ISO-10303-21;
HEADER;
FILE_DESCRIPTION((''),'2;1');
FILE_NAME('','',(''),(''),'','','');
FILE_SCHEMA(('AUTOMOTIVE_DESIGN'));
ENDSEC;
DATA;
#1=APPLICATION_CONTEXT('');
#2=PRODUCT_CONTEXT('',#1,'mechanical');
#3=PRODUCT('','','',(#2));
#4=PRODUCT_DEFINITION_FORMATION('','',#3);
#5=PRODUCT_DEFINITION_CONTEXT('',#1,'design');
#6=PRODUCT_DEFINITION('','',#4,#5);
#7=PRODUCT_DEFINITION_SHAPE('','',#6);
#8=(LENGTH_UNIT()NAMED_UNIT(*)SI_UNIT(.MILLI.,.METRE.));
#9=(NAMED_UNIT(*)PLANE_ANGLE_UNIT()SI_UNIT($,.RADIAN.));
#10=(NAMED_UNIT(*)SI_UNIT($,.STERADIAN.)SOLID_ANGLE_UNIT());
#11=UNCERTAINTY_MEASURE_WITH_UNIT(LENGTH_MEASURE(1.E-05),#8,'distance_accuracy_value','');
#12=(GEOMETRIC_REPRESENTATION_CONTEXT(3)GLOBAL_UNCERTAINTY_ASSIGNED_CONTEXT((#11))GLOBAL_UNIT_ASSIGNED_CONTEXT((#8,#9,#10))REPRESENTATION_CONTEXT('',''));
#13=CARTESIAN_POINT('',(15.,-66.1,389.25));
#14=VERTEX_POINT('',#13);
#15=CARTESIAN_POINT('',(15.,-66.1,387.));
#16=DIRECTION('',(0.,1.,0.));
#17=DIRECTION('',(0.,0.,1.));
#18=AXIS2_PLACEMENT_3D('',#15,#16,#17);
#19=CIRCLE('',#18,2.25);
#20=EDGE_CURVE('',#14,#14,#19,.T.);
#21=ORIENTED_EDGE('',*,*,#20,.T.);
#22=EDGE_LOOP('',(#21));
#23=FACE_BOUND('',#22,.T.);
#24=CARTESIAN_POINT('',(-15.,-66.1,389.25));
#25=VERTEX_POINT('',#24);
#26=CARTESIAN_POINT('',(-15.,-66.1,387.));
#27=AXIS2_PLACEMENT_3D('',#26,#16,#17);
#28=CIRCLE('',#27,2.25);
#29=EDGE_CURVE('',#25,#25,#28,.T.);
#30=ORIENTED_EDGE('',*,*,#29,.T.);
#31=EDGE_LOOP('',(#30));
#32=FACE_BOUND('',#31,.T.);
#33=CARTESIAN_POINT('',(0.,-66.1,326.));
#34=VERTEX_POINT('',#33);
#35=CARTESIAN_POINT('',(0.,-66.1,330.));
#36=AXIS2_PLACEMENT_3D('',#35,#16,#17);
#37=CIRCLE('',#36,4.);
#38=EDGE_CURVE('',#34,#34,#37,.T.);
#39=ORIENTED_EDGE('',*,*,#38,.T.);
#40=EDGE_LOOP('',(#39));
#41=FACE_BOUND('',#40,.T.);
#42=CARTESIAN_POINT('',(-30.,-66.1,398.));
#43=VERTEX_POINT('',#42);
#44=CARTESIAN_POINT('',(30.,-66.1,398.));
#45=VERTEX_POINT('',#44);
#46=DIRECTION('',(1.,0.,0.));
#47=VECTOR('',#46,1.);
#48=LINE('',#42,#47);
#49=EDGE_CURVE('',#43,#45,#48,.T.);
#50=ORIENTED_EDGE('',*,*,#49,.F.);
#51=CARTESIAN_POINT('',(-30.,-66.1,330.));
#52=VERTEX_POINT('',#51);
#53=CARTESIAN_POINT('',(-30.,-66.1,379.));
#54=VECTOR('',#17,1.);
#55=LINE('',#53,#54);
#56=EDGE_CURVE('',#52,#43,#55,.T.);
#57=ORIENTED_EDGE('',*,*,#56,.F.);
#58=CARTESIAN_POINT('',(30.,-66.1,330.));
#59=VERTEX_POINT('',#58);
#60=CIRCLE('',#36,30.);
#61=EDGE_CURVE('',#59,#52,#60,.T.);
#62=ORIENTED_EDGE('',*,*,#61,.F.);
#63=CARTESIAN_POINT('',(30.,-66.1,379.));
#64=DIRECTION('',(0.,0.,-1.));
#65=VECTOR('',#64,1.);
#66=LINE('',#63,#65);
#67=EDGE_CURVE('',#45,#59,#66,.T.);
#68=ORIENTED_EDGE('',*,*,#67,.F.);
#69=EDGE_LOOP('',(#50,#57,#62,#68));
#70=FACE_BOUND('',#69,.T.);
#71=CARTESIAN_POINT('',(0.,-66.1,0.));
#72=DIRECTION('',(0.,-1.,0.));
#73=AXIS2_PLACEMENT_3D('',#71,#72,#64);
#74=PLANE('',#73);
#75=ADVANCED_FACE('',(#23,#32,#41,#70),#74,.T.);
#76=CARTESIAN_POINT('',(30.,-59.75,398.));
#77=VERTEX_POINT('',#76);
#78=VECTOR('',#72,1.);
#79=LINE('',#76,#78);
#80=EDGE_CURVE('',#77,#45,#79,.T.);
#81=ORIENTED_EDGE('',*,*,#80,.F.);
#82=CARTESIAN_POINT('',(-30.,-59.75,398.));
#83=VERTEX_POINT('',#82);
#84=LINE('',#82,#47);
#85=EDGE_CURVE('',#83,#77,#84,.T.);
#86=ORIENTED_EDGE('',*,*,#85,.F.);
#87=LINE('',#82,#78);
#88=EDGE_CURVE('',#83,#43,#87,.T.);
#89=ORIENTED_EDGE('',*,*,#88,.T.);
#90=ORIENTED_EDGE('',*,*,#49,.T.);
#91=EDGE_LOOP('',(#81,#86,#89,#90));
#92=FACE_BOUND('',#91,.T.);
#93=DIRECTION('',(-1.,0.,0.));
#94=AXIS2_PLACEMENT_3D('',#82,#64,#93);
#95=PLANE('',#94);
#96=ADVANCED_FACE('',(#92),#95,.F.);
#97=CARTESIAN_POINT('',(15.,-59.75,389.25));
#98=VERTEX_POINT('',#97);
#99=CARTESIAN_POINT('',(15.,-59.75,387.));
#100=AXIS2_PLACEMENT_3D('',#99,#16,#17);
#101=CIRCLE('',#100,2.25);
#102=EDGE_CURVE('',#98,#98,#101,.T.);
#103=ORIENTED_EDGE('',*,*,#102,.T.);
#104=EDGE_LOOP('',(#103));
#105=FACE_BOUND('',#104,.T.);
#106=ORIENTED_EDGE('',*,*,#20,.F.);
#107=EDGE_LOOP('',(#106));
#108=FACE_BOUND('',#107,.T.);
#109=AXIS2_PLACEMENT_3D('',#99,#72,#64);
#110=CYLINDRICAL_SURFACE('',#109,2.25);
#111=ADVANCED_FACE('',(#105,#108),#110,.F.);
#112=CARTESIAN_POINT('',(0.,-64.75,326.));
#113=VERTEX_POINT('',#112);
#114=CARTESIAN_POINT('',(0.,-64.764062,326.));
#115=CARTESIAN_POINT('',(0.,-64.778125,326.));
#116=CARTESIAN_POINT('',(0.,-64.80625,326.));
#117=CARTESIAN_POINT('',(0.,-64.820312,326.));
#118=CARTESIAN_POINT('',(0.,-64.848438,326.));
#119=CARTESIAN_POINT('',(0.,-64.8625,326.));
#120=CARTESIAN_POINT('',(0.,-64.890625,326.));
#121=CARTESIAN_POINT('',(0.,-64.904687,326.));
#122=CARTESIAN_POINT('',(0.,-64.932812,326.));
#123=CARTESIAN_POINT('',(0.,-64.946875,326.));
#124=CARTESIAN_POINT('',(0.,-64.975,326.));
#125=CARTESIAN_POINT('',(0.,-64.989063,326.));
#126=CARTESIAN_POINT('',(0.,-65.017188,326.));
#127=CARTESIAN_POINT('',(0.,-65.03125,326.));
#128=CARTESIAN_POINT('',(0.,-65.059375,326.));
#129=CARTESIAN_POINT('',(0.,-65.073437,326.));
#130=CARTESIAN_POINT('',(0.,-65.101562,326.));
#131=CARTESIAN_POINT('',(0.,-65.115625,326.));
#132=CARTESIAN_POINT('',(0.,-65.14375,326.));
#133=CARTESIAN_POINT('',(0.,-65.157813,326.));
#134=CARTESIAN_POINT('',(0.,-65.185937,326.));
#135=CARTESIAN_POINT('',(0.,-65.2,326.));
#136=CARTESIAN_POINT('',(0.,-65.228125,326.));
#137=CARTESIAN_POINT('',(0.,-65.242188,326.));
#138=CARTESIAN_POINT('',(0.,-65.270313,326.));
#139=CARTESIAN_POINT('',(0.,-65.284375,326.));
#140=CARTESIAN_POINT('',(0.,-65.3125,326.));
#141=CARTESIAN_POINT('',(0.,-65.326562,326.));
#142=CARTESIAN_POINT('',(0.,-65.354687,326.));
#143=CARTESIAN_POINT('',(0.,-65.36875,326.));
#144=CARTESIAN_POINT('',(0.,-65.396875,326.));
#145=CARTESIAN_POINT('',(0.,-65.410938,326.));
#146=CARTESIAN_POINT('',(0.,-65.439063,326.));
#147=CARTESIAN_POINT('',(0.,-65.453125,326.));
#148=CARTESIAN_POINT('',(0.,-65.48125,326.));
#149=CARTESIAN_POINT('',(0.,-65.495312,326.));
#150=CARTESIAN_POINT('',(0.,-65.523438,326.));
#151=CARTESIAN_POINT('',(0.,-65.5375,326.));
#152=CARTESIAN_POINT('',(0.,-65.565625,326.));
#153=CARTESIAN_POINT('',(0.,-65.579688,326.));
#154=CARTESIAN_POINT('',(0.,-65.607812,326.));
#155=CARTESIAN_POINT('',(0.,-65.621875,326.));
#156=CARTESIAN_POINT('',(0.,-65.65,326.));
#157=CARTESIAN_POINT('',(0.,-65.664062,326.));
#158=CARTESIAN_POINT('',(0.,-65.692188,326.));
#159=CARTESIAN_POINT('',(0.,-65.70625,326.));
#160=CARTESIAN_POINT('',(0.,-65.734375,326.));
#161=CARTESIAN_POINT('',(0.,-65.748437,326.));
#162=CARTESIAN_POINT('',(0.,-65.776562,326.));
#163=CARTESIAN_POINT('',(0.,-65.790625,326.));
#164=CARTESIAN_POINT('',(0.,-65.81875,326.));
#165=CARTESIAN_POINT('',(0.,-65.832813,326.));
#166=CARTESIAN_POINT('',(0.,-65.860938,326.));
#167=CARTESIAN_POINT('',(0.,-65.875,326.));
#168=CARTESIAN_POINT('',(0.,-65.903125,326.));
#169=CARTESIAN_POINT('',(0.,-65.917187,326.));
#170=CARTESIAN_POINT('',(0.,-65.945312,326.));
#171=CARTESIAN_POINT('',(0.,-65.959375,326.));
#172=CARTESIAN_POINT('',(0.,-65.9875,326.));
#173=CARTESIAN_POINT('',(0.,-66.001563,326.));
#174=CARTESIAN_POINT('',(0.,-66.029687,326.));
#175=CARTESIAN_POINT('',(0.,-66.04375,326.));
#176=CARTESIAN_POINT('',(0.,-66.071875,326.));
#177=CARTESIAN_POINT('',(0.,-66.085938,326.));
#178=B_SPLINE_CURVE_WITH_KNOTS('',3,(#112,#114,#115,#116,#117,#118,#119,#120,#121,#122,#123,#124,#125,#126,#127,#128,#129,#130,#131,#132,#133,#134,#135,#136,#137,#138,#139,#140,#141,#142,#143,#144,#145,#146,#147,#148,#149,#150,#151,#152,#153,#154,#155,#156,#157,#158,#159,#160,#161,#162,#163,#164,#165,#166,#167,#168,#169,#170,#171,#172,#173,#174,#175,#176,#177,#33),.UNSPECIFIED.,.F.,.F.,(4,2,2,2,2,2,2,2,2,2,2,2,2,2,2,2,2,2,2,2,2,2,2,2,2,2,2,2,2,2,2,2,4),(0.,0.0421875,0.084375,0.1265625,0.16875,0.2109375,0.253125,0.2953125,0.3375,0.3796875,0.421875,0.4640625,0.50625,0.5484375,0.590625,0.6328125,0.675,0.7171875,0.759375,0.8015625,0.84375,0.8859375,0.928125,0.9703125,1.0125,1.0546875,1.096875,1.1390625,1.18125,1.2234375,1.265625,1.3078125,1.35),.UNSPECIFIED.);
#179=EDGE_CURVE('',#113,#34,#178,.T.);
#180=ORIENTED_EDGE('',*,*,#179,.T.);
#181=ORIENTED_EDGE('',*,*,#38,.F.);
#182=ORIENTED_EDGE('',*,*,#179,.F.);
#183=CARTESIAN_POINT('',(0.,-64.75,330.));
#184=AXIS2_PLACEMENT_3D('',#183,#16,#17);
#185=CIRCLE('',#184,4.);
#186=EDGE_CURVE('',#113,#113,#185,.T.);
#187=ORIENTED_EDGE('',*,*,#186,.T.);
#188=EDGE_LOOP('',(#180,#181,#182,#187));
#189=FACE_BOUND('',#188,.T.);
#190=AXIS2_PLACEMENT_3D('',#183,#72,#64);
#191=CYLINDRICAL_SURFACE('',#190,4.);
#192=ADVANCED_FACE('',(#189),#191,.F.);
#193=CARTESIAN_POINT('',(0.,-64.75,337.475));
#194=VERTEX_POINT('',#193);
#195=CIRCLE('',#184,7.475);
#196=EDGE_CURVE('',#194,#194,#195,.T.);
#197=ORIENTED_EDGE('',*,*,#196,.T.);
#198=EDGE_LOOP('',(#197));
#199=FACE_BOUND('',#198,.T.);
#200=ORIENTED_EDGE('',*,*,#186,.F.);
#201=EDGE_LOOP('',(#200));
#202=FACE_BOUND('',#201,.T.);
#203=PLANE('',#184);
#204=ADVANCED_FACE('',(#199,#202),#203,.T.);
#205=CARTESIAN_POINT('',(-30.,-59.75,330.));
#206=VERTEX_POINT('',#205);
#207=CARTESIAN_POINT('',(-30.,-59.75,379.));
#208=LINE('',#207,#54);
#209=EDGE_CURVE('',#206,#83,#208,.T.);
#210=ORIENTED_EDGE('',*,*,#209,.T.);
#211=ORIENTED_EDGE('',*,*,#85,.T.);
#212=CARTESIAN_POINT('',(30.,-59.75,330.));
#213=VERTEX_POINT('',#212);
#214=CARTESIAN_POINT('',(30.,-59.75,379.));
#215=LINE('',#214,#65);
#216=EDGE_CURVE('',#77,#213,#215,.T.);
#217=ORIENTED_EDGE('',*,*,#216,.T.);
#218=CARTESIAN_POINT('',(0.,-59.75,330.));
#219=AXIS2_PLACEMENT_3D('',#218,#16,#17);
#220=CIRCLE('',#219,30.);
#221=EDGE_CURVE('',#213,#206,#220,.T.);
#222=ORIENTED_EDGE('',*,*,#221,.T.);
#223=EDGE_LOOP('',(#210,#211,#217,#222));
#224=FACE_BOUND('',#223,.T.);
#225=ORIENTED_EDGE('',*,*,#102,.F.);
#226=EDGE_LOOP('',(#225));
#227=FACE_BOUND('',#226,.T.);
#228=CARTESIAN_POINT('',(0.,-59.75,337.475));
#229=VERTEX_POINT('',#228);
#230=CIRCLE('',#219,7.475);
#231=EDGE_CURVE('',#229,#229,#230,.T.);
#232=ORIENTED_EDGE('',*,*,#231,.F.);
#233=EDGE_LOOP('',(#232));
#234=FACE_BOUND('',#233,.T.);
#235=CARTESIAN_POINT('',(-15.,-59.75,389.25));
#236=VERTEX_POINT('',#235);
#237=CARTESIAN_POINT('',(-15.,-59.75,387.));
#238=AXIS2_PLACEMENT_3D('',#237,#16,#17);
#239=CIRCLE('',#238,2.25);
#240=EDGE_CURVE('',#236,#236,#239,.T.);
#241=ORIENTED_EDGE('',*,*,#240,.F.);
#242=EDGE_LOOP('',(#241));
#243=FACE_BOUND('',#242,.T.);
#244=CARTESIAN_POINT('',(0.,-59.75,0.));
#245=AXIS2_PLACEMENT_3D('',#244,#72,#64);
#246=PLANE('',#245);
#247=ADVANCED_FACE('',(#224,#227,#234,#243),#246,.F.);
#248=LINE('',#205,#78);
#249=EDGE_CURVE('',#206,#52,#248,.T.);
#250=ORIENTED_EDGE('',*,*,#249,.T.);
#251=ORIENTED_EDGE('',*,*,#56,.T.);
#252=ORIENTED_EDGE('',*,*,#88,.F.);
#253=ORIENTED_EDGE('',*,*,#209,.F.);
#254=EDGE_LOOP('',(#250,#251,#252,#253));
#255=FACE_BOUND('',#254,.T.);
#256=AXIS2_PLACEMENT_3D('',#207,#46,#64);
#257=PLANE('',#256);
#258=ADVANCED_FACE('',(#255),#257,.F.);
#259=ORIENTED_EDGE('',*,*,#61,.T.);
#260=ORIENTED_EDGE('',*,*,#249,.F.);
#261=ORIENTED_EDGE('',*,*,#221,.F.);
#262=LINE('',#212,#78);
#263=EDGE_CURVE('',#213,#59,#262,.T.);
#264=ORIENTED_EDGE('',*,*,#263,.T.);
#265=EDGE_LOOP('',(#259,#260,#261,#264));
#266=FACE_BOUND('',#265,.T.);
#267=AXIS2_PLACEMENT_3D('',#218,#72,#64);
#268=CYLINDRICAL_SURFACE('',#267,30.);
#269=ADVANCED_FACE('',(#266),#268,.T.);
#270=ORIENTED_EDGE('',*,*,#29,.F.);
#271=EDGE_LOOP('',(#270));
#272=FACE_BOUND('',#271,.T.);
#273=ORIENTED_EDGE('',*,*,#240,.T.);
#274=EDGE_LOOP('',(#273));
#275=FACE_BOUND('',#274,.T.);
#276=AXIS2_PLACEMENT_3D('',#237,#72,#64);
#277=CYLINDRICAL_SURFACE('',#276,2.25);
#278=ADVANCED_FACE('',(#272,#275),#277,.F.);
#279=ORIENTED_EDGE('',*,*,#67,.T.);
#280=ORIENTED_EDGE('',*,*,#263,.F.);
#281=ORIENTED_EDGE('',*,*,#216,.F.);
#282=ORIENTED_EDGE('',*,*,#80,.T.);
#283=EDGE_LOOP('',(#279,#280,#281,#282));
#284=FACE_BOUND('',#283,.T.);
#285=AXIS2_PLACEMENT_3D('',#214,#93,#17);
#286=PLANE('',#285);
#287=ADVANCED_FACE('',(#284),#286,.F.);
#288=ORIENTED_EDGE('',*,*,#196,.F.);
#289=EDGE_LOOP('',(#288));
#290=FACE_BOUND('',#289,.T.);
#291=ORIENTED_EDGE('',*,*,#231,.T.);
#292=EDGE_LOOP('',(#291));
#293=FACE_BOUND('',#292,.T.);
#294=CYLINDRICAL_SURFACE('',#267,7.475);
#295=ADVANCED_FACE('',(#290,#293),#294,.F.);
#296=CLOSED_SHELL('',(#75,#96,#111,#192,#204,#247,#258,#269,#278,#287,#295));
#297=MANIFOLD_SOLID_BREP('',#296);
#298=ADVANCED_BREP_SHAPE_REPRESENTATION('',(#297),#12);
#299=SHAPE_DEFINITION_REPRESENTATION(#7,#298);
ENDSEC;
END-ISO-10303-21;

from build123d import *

# Parameters (mm, degrees)
PLACA_START              = -66.1
SK_PLACA_W               = 60
SK_PLACA_H               = 49
PLACA_DEPTH              = 6.35
EXTREMO_START            = -66.1
SK_EXTREMO_R             = 30
EXTREMO_DEPTH            = 6.35
ALOJAMIENTO_696ZZ_START  = -64.75
SK_ALOJAMIENTO_696ZZ_R   = 7.475
ALOJAMIENTO_696ZZ_DEPTH  = 5
PASO_EXTRACTOR_START     = -66.1
SK_PASO_EXTRACTOR_R      = 4
PASO_EXTRACTOR_DEPTH     = 1.35
EXTENSION_PESTANAS_START = -66.1
SK_EXTENSION_PESTANAS_W  = 60
SK_EXTENSION_PESTANAS_H  = 19
EXTENSION_PESTANAS_DEPTH = 6.35
PASANTES_M4_REPISA_START = -66.1
SK_PASANTES_M4_REPISA_R  = 2.25
PASANTES_M4_REPISA_DEPTH = 6.35


with BuildPart() as part:
    # Sk_Placa → Placa (new body)
    with BuildSketch(Plane(origin=(0, 0, 0), x_dir=(1, 0, 0), z_dir=(0, 1, 0)).offset(PLACA_START)):
        with Locations((0, -354.5)):
            Rectangle(SK_PLACA_W, SK_PLACA_H)
    extrude(amount=PLACA_DEPTH)

    # Sk_Extremo → Extremo (add)
    with BuildSketch(Plane(origin=(0, 0, 0), x_dir=(1, 0, 0), z_dir=(0, 1, 0)).offset(EXTREMO_START)):
        with Locations((0, -330)):
            Circle(SK_EXTREMO_R)
    extrude(amount=EXTREMO_DEPTH)

    # Sk_Alojamiento_696ZZ → Alojamiento_696ZZ (cut)
    with BuildSketch(Plane(origin=(0, 0, 0), x_dir=(1, 0, 0), z_dir=(0, 1, 0)).offset(ALOJAMIENTO_696ZZ_START)):
        with Locations(Location((0, -330, 0), (0, 0, 270))):
            Circle(SK_ALOJAMIENTO_696ZZ_R)
    extrude(amount=ALOJAMIENTO_696ZZ_DEPTH, mode=Mode.SUBTRACT)

    # Sk_Paso_extractor → Paso_extractor (cut)
    with BuildSketch(Plane(origin=(0, 0, 0), x_dir=(1, 0, 0), z_dir=(0, 1, 0)).offset(PASO_EXTRACTOR_START)):
        with Locations(Location((0, -330, 0), (0, 0, 90))):
            Circle(SK_PASO_EXTRACTOR_R)
    extrude(amount=PASO_EXTRACTOR_DEPTH, mode=Mode.SUBTRACT)

    # Sk_Extension_pestanas → Extension_pestanas (add)
    with BuildSketch(Plane(origin=(0, 0, 0), x_dir=(1, 0, 0), z_dir=(0, 1, 0)).offset(EXTENSION_PESTANAS_START)):
        with Locations((0, -388.5)):
            Rectangle(SK_EXTENSION_PESTANAS_W, SK_EXTENSION_PESTANAS_H)
    extrude(amount=EXTENSION_PESTANAS_DEPTH)

    # Sk_Pasantes_M4_repisa → Pasantes_M4_repisa (cut)
    with BuildSketch(Plane(origin=(0, 0, 0), x_dir=(1, 0, 0), z_dir=(0, 1, 0)).offset(PASANTES_M4_REPISA_START)):
        with Locations(Location((-15, -387, 0), (0, 0, 270))):
            Circle(SK_PASANTES_M4_REPISA_R)
        with Locations(Location((15, -387, 0), (0, 0, 270))):
            Circle(SK_PASANTES_M4_REPISA_R)
    extrude(amount=PASANTES_M4_REPISA_DEPTH, mode=Mode.SUBTRACT)


solid = part.part
